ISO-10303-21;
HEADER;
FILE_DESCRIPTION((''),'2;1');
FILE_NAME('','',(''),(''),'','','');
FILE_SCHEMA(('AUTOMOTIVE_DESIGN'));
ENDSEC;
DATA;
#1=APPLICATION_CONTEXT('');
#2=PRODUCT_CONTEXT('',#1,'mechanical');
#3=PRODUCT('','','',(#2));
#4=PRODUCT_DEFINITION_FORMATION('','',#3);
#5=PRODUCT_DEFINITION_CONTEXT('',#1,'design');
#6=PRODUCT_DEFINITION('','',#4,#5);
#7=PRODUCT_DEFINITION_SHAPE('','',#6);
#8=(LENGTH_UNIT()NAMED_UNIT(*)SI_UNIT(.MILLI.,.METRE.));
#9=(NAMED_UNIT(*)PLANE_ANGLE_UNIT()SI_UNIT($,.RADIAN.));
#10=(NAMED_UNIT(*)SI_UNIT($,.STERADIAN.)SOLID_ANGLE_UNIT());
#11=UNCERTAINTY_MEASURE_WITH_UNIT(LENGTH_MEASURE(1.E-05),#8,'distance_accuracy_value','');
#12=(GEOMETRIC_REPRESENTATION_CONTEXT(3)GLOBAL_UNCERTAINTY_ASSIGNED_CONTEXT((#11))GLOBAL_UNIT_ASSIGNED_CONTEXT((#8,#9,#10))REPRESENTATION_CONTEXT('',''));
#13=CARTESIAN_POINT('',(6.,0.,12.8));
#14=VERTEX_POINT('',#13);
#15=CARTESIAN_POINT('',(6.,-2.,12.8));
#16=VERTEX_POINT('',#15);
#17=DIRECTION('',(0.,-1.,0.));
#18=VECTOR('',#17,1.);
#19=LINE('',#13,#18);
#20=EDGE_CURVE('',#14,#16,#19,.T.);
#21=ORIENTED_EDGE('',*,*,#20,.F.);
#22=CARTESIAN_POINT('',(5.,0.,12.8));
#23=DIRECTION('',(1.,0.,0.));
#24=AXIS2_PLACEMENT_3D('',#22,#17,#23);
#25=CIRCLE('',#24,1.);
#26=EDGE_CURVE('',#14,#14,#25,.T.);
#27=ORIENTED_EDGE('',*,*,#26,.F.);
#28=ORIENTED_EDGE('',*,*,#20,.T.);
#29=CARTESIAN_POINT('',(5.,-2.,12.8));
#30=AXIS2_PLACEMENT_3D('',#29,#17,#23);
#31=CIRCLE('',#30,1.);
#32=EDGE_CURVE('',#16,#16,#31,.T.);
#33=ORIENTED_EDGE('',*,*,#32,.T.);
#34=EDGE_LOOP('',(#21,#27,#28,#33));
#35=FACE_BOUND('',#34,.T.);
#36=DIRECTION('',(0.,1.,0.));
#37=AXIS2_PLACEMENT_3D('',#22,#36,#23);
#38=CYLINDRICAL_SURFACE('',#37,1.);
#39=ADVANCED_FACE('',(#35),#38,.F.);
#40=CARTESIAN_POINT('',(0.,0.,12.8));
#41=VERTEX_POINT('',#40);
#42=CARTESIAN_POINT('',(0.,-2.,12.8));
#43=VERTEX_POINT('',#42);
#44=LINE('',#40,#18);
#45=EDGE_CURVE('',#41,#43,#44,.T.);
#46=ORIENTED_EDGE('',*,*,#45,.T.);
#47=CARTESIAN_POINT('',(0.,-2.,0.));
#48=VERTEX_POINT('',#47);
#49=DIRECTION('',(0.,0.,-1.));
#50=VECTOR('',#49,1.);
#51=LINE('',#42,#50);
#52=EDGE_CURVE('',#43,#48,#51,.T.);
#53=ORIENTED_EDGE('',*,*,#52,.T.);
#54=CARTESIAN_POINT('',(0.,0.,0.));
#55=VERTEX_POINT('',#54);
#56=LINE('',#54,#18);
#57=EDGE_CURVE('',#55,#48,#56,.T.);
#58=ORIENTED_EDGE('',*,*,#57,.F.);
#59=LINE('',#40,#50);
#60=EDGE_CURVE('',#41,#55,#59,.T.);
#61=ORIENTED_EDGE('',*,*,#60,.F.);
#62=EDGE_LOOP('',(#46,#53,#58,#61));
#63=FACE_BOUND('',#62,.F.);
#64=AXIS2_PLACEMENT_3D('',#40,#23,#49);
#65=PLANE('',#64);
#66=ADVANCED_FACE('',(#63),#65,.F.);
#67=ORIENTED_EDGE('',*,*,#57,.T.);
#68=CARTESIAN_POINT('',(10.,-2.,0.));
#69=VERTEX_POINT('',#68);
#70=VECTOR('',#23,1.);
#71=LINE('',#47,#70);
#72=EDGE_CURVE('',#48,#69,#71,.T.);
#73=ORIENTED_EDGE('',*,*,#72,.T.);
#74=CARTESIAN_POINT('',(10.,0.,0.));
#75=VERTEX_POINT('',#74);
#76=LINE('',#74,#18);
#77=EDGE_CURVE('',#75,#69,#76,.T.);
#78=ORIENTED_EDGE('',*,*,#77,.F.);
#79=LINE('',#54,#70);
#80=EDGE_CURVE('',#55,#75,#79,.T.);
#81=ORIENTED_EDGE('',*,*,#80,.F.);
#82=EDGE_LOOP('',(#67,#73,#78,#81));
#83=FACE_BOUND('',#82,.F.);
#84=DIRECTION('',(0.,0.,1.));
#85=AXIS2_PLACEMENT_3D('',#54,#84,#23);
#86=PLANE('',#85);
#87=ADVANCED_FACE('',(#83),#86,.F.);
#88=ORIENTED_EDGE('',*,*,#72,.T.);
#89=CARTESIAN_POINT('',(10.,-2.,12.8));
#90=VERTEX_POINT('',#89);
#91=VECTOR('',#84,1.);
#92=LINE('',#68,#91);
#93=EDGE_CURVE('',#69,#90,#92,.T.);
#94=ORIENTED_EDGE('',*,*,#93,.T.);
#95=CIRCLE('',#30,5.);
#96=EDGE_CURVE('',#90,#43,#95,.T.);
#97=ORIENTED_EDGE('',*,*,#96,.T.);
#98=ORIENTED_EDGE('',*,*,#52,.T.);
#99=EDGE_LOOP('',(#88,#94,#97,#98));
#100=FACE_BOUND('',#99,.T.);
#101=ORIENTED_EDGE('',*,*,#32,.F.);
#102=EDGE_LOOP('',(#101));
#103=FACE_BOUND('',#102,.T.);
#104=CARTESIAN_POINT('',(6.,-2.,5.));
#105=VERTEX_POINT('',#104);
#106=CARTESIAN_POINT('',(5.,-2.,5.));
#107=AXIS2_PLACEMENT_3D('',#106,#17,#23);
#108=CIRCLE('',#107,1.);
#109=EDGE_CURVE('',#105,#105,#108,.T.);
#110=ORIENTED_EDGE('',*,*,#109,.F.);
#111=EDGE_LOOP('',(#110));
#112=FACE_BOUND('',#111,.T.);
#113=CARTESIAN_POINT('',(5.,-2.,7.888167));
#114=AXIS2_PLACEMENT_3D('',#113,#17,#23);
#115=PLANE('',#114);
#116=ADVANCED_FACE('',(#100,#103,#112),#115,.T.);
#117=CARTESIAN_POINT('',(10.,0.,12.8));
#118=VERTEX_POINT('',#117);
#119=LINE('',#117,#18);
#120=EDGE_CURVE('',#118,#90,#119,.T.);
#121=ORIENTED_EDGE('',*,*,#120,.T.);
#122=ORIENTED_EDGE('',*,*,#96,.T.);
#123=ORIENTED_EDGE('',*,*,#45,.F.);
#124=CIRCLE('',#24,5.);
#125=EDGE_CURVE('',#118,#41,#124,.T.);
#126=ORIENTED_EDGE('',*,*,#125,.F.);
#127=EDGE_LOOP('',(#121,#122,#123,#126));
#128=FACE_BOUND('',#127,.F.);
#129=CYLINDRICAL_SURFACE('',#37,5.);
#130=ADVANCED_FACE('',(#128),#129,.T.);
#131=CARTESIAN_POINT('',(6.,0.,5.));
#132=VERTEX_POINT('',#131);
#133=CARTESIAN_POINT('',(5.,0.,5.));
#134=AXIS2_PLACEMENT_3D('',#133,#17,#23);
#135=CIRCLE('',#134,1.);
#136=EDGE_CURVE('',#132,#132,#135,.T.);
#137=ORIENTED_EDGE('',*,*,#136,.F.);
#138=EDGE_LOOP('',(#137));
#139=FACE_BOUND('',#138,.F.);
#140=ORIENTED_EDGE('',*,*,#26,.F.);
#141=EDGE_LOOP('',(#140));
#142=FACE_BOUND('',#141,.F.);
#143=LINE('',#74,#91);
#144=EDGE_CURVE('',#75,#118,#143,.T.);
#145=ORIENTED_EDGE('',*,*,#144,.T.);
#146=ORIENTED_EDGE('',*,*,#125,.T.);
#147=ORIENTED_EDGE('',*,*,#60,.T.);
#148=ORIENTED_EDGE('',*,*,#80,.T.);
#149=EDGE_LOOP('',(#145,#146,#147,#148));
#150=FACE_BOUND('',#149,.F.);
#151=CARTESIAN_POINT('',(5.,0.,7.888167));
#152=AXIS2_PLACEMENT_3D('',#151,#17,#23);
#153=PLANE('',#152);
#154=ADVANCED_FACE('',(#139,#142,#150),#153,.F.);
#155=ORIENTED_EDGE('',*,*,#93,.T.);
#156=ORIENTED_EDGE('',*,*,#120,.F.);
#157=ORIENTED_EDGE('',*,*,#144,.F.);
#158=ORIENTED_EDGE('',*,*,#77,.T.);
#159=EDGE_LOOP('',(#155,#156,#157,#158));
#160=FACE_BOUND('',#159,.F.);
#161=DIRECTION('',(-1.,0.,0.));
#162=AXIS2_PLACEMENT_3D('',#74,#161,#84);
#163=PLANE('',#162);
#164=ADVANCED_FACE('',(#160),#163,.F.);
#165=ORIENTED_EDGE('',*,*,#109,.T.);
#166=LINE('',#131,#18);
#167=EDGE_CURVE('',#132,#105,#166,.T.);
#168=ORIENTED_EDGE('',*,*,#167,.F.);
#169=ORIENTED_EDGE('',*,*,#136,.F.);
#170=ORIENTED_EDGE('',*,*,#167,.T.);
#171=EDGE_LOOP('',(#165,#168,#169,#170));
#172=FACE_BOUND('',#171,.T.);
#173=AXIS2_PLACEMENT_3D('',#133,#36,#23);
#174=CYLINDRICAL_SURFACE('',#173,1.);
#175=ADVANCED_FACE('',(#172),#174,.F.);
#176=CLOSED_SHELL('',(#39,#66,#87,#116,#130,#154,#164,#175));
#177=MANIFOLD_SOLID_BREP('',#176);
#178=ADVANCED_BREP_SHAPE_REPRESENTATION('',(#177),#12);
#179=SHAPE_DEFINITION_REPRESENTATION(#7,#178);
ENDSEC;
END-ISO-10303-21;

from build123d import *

# Parameters (mm, degrees)
F0_R     = 1
F1_DEPTH = 2


with BuildPart() as f1:
    # F0 (on Front) → F1 (new body)
    with BuildSketch(Plane.XZ):
        with BuildLine():
            Line((0, 12.8), (0, 0))
            Line((0, 0), (10, 0))
            Line((10, 0), (10, 12.8))
            ThreePointArc((10, 12.8), (5, 17.8), (0, 12.8))
        make_face()
        with Locations((5, 5)):
            Circle(F0_R, mode=Mode.SUBTRACT)
        with Locations((5, 12.8)):
            Circle(F0_R, mode=Mode.SUBTRACT)
    extrude(amount=F1_DEPTH)


solid = f1.part
